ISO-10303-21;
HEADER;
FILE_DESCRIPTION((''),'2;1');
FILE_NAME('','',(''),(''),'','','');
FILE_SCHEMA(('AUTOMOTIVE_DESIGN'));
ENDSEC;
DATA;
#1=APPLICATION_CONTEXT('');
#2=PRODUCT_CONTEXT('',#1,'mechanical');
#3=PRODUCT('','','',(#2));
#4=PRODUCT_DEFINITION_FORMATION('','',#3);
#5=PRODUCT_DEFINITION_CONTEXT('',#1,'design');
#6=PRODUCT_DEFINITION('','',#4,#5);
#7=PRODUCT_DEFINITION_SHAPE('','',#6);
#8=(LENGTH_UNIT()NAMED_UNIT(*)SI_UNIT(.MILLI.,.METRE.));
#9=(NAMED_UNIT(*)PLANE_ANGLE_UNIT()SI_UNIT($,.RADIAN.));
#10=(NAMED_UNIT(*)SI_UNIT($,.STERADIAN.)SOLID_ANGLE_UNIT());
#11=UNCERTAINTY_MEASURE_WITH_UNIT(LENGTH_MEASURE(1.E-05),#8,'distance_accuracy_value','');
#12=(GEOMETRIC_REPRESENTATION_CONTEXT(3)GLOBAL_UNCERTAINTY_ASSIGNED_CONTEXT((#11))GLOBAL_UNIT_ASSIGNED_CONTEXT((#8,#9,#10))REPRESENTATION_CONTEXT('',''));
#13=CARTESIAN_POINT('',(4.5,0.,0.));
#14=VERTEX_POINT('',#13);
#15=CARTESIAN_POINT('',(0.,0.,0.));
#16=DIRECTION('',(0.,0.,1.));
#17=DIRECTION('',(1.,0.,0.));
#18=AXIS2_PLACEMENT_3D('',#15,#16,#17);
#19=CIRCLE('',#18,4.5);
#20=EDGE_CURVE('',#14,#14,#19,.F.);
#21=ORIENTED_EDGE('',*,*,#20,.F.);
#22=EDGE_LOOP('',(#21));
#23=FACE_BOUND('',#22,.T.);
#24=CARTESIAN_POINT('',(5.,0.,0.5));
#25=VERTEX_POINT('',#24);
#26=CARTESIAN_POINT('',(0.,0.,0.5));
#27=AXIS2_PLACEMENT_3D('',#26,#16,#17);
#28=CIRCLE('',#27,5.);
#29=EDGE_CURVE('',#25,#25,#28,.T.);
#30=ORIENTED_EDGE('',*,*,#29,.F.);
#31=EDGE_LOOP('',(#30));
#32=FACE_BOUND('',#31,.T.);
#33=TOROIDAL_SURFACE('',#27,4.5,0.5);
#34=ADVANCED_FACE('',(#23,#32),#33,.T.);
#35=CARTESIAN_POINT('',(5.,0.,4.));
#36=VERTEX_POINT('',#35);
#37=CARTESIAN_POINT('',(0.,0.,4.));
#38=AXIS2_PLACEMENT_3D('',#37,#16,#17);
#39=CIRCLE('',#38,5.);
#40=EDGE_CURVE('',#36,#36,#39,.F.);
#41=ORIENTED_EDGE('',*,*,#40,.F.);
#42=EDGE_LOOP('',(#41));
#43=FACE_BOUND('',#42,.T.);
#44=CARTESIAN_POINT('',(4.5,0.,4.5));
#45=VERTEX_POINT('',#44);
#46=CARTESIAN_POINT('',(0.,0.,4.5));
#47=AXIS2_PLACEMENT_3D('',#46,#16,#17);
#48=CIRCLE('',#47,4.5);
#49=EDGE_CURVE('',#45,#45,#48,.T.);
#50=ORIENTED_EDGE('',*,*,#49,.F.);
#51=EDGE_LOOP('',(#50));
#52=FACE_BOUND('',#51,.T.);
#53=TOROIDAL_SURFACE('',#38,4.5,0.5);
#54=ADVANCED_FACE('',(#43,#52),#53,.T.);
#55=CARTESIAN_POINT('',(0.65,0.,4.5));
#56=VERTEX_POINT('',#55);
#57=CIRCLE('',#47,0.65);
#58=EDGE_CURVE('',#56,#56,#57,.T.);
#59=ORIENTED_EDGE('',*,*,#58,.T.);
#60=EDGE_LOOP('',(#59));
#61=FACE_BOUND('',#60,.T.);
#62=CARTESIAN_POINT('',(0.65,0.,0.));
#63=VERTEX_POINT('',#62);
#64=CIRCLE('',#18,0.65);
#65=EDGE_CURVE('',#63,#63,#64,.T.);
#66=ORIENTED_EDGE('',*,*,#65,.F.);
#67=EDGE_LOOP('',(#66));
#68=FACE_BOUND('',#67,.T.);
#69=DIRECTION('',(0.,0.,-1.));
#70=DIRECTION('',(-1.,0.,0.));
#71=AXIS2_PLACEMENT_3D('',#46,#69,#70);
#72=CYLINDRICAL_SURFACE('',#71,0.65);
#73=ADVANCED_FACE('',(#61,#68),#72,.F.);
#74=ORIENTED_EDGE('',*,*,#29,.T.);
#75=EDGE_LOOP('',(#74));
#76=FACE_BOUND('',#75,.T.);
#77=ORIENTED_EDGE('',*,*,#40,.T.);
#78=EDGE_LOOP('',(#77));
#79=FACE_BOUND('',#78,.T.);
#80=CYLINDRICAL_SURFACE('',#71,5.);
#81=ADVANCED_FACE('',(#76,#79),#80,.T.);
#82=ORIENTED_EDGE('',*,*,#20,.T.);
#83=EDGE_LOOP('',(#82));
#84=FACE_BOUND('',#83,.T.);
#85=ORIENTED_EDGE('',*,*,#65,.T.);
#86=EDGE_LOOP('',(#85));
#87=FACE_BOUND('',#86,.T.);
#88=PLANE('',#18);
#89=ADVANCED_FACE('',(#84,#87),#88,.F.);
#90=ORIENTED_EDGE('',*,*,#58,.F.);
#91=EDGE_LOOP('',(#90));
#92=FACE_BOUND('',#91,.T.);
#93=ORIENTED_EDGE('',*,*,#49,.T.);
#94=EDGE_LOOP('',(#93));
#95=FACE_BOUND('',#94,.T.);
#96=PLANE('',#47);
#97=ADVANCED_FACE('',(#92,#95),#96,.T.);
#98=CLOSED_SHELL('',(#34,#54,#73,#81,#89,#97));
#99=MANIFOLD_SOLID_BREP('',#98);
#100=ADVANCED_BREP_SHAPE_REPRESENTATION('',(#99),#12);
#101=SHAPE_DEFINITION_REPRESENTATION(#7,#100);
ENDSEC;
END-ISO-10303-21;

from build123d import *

# Parameters (mm, degrees)
ESQUISSE1_R      = 5
ESQUISSE1_R_2    = 0.65
EXTRUSION1_DEPTH = 4.5
CONG_1_R         = 0.5


with BuildPart() as part:
    # Esquisse1 → Extrusion1 (new body)
    with BuildSketch(Plane.XY):
        Circle(ESQUISSE1_R)
        Circle(ESQUISSE1_R_2, mode=Mode.SUBTRACT)
    extrude(amount=EXTRUSION1_DEPTH)

    # Congé1
    cong_1_edges = [part.edges().sort_by_distance(p)[0] for p in [
        (-5, 0, 0),
        (-5, 0, 4.5),
    ]]
    fillet(cong_1_edges, radius=CONG_1_R)


solid = part.part
